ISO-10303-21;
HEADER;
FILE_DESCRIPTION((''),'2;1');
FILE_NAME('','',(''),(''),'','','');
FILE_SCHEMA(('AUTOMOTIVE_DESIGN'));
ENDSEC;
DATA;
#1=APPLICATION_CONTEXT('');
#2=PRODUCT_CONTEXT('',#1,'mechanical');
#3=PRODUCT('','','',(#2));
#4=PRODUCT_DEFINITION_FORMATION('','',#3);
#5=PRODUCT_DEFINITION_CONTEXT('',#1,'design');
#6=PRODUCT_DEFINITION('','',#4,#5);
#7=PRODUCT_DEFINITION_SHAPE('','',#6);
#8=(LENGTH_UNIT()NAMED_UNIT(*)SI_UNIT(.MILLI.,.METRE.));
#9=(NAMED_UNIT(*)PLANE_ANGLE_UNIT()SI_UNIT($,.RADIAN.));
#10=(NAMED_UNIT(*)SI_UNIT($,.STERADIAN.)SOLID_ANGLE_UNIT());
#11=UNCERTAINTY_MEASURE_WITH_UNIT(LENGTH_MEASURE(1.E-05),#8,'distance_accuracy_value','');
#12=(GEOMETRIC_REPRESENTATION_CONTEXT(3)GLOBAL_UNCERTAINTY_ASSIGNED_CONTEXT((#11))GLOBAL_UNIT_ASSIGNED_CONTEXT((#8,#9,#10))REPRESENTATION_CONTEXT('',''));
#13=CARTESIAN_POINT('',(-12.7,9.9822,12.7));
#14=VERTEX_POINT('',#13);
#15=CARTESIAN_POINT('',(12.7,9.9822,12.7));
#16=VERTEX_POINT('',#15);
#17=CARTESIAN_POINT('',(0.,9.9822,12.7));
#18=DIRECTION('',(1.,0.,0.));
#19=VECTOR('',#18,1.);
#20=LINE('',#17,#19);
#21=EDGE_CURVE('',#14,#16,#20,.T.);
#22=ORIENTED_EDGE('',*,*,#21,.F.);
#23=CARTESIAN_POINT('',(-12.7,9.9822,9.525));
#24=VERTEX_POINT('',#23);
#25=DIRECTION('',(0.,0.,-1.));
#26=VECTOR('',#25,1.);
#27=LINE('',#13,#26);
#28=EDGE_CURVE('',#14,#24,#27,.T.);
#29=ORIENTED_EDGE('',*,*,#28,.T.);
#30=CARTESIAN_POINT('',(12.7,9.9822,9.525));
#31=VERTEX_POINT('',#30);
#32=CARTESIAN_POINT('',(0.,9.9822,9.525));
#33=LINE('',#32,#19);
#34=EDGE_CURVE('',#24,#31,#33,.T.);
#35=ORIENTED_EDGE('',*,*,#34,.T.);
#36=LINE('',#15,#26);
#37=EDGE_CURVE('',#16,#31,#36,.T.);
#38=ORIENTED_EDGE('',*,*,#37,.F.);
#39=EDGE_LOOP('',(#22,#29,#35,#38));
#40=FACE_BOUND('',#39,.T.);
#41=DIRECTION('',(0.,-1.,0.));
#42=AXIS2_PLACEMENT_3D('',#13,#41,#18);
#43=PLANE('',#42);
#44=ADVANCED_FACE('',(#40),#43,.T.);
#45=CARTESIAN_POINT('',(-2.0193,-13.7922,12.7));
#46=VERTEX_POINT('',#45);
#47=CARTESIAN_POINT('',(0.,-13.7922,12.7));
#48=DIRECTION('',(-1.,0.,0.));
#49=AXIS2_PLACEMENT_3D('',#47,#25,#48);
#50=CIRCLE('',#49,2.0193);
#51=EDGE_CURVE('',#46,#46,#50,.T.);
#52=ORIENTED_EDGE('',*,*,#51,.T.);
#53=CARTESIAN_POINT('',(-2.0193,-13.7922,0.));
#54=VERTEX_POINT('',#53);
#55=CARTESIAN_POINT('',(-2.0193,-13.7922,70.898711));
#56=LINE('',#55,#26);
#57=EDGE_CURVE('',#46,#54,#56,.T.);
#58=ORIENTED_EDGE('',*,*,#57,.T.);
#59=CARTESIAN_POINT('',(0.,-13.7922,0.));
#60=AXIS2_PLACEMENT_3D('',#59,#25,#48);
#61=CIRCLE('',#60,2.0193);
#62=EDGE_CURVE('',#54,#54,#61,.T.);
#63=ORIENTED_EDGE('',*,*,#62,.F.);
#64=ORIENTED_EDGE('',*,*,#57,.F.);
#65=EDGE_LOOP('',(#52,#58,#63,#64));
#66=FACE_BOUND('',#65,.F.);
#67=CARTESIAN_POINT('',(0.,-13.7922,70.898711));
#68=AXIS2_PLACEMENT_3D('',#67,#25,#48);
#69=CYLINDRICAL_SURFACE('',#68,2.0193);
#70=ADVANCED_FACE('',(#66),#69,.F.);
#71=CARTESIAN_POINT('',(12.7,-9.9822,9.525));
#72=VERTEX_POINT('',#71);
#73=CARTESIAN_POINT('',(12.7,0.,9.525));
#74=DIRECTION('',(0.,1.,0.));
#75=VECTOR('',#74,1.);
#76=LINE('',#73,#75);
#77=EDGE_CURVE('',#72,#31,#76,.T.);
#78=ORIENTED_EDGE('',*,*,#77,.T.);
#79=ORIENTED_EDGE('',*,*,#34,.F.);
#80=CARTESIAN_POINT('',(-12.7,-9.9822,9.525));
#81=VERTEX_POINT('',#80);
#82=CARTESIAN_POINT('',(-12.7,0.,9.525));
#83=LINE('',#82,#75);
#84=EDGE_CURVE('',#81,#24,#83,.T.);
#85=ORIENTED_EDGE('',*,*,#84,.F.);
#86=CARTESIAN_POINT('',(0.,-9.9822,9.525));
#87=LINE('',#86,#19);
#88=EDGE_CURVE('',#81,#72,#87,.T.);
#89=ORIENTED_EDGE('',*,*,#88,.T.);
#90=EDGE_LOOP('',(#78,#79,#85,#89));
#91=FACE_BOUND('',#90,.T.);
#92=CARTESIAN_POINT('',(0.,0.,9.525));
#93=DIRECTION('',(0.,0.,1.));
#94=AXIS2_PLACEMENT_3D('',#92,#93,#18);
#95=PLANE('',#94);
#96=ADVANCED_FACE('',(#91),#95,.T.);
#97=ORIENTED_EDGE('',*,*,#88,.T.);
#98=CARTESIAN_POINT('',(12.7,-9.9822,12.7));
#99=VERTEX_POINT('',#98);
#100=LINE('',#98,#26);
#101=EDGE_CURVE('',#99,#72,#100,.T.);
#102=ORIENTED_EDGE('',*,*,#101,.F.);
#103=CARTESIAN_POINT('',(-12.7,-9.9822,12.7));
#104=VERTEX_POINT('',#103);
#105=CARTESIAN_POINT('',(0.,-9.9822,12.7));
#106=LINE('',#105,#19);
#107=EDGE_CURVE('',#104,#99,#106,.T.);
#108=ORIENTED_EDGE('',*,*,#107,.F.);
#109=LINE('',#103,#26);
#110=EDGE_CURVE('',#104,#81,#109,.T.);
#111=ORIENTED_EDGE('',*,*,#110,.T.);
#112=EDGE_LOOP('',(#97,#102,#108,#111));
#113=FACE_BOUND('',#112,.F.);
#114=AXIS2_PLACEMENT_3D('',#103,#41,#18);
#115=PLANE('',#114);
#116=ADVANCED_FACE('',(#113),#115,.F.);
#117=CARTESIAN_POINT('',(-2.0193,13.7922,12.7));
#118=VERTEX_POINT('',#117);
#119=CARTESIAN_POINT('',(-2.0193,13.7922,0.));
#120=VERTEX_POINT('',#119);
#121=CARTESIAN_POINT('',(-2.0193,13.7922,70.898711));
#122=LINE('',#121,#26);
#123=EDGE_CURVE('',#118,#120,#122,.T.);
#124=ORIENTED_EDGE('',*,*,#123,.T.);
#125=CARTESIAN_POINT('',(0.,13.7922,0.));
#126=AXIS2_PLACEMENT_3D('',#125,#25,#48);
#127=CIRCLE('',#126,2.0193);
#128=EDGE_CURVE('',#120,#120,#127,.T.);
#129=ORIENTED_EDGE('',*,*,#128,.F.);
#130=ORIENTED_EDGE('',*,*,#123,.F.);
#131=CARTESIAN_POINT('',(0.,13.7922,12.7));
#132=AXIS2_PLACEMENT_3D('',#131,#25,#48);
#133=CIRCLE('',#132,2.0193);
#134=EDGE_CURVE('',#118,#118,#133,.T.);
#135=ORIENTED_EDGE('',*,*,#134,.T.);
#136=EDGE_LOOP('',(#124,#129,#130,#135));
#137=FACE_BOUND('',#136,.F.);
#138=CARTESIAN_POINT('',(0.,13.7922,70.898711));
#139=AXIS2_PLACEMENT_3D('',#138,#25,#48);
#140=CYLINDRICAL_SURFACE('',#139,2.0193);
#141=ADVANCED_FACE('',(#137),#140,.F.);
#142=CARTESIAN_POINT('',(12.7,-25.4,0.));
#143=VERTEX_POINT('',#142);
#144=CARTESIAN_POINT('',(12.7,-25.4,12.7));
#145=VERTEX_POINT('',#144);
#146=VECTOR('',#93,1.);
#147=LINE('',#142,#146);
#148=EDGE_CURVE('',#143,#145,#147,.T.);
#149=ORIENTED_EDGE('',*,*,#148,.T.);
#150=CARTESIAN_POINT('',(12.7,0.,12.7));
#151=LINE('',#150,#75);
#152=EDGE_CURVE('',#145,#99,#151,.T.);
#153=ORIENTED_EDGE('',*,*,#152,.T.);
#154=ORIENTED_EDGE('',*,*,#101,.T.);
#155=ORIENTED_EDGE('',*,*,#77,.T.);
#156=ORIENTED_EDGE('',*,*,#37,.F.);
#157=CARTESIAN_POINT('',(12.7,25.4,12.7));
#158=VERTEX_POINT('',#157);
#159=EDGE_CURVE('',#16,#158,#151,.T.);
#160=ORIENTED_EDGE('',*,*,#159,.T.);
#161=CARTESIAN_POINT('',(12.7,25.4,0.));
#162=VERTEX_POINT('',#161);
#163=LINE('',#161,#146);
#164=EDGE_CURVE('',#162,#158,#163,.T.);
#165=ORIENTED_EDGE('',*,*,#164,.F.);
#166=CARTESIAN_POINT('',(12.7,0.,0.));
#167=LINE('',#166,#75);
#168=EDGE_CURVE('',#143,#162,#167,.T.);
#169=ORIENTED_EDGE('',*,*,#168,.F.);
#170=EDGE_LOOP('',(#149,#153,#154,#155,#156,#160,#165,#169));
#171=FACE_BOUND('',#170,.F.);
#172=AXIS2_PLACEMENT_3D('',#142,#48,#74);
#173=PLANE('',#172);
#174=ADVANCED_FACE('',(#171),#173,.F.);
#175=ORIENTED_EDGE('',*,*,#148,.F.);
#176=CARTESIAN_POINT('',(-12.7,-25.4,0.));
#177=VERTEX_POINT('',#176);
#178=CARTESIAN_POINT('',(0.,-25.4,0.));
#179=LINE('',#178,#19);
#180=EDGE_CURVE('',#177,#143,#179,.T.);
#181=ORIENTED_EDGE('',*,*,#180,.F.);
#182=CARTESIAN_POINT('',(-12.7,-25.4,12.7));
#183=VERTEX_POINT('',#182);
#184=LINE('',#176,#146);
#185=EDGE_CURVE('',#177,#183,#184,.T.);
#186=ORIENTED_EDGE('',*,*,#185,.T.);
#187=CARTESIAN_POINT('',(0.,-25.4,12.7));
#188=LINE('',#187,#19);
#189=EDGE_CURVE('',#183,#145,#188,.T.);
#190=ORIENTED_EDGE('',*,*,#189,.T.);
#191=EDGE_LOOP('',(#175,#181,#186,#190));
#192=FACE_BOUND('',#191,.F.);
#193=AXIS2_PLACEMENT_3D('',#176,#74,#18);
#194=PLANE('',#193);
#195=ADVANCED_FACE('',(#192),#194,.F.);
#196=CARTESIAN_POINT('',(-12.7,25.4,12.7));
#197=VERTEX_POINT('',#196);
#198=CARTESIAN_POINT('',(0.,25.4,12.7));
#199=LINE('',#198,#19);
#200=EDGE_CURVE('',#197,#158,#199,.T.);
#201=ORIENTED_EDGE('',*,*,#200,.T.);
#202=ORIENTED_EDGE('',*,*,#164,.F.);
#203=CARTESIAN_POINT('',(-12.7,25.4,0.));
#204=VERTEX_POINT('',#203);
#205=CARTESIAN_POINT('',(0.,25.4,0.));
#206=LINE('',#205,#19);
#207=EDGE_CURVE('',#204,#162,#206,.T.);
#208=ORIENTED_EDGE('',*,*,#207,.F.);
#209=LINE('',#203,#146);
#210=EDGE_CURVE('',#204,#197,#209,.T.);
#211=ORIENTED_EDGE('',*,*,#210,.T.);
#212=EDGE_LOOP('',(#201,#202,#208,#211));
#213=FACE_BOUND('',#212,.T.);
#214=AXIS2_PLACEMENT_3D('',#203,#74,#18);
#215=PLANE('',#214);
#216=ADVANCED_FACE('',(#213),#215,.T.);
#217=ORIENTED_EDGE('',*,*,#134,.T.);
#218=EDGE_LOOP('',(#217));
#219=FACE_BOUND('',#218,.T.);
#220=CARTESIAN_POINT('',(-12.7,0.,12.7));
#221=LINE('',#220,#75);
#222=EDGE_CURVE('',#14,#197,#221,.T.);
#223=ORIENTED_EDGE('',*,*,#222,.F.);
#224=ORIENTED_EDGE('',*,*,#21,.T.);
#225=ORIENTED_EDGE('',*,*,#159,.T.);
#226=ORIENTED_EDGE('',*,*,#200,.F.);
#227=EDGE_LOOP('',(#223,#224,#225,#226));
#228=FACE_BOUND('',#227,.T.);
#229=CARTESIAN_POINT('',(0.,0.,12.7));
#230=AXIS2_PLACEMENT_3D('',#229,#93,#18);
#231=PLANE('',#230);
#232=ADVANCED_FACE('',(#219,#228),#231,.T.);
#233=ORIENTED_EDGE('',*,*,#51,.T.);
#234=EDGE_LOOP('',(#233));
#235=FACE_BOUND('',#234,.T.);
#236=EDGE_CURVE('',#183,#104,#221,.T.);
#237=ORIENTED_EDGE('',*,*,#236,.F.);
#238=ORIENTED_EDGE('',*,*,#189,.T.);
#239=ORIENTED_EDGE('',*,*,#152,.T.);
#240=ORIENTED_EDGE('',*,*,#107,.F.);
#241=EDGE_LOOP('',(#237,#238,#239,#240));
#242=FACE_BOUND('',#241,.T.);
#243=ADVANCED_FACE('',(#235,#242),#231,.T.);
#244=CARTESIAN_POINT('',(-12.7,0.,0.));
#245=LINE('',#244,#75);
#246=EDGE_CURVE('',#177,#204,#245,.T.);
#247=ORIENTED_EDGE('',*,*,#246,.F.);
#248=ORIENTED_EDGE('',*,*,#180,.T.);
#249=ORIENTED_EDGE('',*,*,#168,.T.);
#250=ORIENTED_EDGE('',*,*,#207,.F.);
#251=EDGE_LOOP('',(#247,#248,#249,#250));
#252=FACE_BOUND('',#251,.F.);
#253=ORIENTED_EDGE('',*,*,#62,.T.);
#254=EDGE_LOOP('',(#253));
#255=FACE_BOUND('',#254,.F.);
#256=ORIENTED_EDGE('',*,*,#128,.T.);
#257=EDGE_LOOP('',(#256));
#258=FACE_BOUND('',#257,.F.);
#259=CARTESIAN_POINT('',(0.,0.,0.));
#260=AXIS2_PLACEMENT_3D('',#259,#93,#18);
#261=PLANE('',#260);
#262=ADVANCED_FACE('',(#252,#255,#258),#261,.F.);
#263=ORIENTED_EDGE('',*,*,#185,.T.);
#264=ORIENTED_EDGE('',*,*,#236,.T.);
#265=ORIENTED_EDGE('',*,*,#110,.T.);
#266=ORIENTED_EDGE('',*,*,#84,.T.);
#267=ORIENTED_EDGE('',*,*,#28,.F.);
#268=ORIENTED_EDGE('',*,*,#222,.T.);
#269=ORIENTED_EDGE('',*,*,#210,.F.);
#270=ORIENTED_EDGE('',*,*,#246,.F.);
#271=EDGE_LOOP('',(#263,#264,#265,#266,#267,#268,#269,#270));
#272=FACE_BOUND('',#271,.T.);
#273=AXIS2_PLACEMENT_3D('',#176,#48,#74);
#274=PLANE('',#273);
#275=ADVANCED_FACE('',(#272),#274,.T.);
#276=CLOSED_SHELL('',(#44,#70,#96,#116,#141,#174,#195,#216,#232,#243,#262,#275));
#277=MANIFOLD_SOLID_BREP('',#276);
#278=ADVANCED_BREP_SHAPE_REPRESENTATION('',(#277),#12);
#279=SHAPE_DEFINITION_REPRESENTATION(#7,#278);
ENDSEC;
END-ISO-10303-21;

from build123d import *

# Parameters (mm, degrees)
F0_W     = 25.4
F0_H     = 50.8
F1_DEPTH = 12.7
F2_W     = 25.4
F2_H     = 19.9644
F3_DEPTH = 3.175
F5_D     = 4.0386


with BuildPart() as f1:
    # F0 (on Top) → F1 (new body)
    with BuildSketch(Plane.XY):
        Rectangle(F0_W, F0_H)
    extrude(amount=F1_DEPTH)

    # F2 (on face) → F3 (cut)
    with BuildSketch(Plane.XY.offset(12.7)):
        Rectangle(F2_W, F2_H)
    extrude(amount=-F3_DEPTH, mode=Mode.SUBTRACT)

    # F5 (through all)
    with Locations(Plane.XY.offset(12.7)):
        with Locations((0, 13.7922), (0, -13.7922)):
            Hole(F5_D / 2)


solid = f1.part
